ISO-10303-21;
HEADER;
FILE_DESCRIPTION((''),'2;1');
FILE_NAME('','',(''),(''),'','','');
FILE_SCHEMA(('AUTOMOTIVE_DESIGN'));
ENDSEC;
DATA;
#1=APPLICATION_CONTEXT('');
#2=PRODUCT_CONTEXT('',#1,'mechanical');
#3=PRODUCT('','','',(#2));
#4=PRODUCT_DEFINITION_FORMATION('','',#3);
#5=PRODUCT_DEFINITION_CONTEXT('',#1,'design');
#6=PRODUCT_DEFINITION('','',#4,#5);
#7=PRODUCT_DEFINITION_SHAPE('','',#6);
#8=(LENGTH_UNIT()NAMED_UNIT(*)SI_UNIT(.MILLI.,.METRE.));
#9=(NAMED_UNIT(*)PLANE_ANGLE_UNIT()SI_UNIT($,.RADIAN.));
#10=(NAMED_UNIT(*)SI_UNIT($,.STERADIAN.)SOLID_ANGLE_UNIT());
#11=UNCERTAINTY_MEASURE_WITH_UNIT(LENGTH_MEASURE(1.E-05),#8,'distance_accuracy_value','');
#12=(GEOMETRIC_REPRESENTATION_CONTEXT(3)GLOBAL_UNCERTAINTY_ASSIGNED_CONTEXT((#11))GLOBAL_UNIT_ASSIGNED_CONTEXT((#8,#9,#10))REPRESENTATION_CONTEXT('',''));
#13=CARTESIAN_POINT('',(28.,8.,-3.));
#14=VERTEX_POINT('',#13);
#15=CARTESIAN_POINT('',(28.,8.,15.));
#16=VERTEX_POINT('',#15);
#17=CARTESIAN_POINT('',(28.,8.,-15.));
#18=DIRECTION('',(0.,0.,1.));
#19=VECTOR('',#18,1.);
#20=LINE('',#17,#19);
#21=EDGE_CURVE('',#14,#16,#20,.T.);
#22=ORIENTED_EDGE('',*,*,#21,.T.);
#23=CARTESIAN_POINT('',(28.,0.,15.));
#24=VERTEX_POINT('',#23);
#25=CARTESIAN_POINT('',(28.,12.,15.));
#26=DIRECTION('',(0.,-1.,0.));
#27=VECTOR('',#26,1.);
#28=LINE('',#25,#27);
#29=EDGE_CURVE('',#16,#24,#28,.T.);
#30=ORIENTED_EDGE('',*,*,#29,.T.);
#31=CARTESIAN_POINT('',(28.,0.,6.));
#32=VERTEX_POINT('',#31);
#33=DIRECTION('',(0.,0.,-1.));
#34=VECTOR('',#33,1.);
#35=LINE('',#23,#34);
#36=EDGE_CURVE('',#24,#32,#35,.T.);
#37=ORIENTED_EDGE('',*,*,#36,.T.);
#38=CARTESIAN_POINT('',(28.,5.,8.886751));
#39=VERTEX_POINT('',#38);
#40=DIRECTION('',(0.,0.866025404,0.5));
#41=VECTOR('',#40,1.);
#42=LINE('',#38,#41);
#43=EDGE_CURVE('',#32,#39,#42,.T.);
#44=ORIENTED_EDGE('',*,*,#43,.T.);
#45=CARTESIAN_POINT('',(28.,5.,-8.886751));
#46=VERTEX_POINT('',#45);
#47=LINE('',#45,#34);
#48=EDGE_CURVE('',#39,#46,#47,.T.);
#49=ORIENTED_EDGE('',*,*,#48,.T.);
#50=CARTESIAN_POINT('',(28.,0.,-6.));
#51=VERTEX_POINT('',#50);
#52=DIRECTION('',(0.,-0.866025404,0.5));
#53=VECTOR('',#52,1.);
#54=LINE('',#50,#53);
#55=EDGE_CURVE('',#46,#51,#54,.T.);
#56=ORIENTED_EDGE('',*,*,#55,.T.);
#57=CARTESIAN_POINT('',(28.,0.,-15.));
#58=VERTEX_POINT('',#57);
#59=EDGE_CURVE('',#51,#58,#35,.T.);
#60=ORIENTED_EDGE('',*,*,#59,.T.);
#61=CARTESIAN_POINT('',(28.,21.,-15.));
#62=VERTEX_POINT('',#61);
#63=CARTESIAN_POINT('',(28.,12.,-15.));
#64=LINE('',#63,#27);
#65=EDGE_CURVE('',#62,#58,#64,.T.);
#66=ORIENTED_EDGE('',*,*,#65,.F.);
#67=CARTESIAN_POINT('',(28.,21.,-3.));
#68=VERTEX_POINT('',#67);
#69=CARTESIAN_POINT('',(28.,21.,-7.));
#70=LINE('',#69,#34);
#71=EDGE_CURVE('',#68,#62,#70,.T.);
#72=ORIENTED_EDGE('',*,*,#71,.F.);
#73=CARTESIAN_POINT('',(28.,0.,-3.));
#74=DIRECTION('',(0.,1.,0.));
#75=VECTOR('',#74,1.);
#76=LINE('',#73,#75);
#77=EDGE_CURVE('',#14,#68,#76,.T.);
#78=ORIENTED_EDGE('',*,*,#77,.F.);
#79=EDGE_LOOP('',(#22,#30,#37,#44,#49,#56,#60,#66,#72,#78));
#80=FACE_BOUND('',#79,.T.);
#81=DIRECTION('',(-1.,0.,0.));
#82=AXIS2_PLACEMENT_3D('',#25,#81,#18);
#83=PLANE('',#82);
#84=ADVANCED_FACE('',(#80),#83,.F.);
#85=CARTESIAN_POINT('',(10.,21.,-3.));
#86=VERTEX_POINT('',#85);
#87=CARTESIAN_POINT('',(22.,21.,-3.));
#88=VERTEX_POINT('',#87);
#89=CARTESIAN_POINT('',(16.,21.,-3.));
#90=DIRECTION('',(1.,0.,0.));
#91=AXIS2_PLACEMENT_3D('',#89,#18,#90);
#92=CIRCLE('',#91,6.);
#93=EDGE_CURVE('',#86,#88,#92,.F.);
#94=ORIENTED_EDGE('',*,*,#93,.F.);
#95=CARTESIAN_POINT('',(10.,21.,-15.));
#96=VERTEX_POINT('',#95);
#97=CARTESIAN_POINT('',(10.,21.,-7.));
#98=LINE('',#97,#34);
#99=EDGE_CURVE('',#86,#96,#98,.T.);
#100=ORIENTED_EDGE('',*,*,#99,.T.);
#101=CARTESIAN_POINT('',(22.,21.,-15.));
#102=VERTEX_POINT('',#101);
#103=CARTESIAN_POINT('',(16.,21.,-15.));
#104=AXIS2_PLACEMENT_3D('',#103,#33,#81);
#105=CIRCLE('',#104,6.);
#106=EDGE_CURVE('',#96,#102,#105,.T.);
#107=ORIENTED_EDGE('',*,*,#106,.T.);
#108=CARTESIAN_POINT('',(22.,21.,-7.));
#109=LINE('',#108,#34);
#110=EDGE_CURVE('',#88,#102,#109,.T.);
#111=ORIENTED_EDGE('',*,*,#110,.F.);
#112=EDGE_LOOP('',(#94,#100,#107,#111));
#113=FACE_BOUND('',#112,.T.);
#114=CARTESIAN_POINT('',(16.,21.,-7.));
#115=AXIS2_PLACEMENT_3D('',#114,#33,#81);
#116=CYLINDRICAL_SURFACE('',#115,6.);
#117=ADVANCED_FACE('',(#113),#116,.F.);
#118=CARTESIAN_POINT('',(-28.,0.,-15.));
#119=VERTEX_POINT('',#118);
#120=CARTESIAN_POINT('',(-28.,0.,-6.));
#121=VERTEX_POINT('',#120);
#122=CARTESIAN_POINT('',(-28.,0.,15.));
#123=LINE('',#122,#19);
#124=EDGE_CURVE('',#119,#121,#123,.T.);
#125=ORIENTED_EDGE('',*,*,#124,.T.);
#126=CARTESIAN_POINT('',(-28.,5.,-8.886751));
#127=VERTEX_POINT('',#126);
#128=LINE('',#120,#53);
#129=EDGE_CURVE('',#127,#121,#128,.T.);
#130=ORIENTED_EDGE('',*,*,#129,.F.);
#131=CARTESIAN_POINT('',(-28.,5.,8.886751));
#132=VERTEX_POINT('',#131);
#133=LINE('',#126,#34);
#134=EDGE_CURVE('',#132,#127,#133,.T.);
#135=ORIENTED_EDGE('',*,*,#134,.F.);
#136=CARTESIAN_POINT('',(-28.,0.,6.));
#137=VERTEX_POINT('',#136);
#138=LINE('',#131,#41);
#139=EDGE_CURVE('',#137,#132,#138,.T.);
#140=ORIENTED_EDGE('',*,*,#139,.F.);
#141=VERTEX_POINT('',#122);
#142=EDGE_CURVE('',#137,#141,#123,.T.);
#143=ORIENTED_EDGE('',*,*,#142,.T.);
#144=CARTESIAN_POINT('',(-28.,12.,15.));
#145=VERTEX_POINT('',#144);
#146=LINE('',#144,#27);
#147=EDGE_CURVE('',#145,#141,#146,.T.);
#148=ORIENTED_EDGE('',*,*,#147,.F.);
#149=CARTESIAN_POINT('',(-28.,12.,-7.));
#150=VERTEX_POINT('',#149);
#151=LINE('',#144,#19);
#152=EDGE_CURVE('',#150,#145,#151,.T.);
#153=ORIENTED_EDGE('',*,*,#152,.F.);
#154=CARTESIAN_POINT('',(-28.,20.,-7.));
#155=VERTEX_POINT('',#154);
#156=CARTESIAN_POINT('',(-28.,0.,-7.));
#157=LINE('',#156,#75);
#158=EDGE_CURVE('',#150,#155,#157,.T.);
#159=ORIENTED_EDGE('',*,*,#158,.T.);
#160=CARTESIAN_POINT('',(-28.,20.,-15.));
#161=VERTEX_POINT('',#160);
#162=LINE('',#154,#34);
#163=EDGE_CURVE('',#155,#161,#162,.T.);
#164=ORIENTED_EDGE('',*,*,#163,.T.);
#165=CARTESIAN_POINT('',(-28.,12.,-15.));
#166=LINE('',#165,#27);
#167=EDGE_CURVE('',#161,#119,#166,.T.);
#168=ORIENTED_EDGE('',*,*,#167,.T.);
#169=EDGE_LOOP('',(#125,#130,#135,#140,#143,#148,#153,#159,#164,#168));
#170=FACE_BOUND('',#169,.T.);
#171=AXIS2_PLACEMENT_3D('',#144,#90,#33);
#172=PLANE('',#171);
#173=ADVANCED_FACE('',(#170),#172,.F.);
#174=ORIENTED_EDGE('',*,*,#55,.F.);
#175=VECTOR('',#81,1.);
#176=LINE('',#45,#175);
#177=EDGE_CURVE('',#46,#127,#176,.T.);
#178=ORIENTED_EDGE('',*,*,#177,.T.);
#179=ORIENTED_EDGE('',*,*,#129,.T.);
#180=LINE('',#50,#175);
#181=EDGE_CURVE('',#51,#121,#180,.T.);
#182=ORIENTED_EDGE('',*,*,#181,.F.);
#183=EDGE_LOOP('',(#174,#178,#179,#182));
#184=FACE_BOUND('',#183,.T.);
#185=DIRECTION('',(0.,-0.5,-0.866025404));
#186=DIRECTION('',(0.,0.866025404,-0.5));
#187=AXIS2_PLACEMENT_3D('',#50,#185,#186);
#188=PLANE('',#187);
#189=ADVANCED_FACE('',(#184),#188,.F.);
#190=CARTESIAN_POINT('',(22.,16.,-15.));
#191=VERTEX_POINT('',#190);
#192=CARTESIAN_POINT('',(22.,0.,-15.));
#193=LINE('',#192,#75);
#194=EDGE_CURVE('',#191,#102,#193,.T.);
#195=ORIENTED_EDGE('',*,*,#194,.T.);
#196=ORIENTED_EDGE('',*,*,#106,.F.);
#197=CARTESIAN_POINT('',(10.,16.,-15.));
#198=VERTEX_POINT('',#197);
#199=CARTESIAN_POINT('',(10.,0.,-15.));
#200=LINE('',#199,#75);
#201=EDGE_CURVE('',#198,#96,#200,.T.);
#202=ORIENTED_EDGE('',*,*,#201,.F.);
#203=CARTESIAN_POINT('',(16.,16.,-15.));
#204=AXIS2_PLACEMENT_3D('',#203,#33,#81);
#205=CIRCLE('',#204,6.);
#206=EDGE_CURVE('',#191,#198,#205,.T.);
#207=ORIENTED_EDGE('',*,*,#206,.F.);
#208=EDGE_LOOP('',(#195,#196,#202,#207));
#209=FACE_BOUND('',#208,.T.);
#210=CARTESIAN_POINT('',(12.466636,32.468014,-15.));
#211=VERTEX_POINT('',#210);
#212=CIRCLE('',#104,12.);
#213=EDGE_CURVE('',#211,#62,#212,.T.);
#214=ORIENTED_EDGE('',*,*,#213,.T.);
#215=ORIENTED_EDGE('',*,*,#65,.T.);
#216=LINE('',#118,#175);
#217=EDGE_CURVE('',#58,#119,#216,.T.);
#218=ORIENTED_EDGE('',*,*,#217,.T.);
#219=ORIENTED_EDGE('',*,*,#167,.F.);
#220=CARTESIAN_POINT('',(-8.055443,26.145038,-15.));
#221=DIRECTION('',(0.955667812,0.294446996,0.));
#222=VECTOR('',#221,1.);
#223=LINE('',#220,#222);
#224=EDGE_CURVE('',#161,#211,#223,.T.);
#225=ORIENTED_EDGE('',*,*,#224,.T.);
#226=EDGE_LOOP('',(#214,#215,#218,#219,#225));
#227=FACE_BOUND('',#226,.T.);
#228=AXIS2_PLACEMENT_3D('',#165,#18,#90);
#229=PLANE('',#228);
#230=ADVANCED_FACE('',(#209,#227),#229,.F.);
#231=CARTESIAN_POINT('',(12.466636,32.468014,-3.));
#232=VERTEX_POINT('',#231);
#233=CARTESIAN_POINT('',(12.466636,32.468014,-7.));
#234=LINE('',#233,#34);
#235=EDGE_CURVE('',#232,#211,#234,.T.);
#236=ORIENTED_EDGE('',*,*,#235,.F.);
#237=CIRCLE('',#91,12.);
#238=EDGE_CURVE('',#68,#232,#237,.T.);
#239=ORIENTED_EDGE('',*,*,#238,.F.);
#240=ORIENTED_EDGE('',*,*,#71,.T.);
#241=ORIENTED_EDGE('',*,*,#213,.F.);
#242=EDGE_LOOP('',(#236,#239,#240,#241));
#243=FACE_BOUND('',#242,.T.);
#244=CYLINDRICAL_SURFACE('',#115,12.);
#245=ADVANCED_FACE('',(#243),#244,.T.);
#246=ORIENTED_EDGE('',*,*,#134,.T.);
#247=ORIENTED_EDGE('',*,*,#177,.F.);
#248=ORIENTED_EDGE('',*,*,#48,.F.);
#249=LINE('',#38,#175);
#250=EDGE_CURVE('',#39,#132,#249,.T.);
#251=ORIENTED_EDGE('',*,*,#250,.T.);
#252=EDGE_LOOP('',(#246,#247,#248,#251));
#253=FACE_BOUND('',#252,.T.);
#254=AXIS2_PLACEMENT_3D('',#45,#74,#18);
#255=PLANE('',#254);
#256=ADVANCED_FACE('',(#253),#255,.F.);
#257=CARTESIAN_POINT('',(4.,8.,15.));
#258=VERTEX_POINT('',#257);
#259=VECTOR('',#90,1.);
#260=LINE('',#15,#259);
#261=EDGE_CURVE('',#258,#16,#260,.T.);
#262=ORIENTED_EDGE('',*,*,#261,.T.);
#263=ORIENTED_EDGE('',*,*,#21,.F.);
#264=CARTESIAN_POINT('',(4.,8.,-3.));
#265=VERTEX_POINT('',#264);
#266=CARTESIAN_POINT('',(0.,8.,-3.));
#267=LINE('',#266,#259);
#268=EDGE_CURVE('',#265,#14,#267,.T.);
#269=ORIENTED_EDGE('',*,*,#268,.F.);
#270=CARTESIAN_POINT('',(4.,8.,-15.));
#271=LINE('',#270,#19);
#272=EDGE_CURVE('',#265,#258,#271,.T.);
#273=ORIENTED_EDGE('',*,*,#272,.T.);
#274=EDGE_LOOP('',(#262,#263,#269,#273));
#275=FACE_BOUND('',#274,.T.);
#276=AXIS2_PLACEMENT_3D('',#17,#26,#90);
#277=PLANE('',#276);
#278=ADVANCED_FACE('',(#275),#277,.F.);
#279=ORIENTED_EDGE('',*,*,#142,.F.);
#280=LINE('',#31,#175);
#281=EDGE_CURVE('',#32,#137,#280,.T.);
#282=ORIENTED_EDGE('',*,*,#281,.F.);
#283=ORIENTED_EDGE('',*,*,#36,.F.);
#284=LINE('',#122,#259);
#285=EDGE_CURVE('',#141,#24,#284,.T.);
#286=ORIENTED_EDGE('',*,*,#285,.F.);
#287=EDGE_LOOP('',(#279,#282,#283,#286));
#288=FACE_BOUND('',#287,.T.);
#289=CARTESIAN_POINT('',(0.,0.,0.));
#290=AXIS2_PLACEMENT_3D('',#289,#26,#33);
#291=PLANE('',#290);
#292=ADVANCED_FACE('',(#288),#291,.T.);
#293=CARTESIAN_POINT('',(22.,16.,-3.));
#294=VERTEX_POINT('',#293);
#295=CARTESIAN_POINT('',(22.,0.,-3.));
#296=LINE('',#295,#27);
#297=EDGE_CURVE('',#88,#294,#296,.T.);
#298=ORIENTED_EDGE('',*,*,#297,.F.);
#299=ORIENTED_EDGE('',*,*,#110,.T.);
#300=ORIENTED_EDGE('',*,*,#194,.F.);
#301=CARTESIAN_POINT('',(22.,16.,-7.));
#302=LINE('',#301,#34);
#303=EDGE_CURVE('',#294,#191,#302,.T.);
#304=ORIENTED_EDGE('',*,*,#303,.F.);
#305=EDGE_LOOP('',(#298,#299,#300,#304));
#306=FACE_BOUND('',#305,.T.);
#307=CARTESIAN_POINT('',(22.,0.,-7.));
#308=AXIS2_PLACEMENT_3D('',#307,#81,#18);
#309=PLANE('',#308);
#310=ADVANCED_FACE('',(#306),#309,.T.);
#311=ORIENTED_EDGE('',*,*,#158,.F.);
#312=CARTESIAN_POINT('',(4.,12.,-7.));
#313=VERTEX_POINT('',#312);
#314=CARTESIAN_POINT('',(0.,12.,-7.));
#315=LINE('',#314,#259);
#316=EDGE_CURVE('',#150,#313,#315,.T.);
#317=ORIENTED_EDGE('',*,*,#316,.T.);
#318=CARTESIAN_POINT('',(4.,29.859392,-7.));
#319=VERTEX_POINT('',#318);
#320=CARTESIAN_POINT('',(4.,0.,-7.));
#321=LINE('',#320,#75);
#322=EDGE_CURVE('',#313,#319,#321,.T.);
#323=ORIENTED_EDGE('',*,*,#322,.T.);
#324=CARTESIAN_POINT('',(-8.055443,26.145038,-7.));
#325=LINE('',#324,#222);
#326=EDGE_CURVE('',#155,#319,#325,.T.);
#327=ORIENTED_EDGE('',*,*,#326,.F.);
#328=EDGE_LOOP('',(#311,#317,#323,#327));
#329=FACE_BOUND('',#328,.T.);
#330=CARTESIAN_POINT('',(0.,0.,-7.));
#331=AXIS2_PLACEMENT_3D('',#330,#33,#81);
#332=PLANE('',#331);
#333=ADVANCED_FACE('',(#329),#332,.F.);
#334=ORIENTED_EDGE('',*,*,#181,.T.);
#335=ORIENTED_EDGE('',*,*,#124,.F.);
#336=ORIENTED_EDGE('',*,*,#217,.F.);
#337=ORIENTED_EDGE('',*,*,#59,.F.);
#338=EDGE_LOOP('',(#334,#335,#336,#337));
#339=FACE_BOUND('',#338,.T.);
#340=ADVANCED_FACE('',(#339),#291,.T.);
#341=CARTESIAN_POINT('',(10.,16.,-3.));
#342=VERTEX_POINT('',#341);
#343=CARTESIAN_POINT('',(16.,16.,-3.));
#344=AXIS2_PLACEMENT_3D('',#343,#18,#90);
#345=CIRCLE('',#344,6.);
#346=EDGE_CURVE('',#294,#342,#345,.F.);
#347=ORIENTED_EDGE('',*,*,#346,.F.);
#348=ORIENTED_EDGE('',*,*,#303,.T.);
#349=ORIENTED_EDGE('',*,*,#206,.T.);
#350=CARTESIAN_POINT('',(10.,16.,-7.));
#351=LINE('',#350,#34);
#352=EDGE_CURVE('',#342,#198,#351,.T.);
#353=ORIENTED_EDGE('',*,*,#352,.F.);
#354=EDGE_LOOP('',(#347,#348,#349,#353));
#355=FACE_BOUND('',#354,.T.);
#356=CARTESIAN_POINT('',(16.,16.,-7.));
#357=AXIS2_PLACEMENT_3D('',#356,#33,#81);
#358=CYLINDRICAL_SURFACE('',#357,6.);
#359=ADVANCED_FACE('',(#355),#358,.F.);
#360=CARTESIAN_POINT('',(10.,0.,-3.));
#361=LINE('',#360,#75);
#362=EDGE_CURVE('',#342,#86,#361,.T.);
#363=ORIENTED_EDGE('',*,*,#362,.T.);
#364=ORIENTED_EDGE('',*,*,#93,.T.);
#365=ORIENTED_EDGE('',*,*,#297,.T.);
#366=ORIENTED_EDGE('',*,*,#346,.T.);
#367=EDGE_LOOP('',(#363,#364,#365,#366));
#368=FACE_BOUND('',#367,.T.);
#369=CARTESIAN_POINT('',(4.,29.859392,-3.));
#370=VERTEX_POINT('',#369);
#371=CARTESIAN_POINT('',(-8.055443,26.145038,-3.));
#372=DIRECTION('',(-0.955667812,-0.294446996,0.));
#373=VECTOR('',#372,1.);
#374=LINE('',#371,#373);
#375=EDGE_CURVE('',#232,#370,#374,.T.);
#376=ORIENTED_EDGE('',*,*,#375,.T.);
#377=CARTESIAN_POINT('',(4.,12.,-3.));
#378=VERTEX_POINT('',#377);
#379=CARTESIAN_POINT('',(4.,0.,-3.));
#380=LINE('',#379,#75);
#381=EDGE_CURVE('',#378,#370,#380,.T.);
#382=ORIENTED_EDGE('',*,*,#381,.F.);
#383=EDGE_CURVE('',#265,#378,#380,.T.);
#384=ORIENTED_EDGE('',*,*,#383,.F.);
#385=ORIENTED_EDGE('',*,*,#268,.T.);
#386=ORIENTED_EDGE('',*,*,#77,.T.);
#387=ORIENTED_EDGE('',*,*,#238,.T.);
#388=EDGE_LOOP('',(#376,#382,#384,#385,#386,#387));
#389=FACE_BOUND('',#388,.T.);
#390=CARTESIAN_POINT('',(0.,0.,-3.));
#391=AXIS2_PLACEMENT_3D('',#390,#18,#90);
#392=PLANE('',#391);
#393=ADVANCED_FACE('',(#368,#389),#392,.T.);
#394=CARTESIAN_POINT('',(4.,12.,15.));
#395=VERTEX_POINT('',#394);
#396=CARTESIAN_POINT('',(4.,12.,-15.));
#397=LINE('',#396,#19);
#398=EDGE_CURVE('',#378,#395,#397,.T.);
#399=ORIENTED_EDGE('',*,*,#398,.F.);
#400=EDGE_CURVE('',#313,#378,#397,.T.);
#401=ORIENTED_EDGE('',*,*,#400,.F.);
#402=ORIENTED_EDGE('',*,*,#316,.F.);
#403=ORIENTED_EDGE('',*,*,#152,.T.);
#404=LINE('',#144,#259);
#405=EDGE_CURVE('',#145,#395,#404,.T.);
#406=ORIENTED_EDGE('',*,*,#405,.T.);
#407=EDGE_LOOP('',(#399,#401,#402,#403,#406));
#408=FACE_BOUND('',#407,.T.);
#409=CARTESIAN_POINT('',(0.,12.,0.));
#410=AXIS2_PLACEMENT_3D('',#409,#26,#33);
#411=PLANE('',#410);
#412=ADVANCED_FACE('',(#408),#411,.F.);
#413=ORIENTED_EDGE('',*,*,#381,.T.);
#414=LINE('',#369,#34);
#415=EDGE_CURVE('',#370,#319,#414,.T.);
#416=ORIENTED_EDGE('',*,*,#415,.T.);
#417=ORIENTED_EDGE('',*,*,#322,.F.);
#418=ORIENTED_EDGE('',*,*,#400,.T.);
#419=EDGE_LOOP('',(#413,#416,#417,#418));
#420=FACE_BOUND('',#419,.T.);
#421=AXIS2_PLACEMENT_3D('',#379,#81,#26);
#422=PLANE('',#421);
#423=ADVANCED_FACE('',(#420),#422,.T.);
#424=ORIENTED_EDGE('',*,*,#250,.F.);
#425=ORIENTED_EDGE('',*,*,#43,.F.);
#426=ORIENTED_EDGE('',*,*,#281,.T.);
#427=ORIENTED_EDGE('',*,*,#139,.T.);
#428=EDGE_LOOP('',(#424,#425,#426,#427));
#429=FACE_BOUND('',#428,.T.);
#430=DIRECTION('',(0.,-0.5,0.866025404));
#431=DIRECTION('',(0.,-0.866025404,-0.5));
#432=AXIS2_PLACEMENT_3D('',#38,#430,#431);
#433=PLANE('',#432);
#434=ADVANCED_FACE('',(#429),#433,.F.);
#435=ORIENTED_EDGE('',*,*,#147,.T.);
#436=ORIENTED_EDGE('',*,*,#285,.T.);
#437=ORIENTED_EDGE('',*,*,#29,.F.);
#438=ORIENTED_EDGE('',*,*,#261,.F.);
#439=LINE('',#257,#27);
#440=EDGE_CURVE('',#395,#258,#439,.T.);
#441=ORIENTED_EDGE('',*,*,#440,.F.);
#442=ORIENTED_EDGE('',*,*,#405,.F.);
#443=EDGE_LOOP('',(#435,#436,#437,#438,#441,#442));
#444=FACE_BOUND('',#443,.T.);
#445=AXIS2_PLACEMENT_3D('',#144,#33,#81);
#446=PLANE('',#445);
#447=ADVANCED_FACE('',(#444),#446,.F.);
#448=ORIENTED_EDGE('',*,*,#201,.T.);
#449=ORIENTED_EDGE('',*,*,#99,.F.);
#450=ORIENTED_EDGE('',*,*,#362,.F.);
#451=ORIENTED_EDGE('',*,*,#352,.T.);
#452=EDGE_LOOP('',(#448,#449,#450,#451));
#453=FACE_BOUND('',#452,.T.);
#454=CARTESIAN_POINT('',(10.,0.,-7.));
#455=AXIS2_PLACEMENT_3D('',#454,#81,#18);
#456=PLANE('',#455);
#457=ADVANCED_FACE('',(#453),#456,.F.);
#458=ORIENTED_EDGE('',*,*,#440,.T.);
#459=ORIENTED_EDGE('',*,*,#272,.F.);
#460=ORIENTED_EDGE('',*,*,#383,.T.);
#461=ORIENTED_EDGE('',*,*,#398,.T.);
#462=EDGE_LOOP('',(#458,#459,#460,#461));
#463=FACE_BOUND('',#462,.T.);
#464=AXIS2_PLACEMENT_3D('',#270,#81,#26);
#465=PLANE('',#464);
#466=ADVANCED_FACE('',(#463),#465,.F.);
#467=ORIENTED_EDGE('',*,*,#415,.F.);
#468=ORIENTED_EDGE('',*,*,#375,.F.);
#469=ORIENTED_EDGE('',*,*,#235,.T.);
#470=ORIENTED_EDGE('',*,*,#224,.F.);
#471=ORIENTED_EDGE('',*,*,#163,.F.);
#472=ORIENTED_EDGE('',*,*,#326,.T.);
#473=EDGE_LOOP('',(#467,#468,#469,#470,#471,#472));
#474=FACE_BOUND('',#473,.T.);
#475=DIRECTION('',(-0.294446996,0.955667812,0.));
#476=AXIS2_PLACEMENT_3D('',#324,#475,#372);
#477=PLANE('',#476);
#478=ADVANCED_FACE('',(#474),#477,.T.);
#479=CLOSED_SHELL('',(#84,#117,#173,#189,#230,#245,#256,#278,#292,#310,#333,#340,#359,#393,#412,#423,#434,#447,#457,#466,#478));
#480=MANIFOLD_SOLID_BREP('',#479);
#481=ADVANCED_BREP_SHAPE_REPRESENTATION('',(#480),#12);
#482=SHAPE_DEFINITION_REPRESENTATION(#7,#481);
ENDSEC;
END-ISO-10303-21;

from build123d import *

# Parameters (mm, degrees)
SKETCH_1_W          = 56
SKETCH_1_H          = 30
EXTRUDE_1_DEPTH     = 12
CUT_EXTRUDE_1_DEPTH = 60.203040462
SKETCH_3_W          = 24
SKETCH_3_H          = 4
CUT_EXTRUDE_2_DEPTH = 43.755116653
EXTRUDE_2_DEPTH     = 8
EXTRUDE_3_DEPTH     = 4


with BuildPart() as part:
    # 草图1 → 凸台-拉伸1 (new body)
    with BuildSketch(Plane(origin=(0, 0, 0), x_dir=(1, 0, 0), z_dir=(0, 1, 0))):
        Rectangle(SKETCH_1_W, SKETCH_1_H)
    extrude(amount=EXTRUDE_1_DEPTH)

    # 草图2 → 切除-拉伸1 (cut, through all)
    with BuildSketch(Plane.ZY.offset(28)):
        Polygon((-6, 0), (-8.886751346, 5), (8.886751346, 5), (6, 0), align=None)
    extrude(amount=-CUT_EXTRUDE_1_DEPTH, mode=Mode.SUBTRACT)

    # 草图3 → 切除-拉伸2 (cut, through all)
    with BuildSketch(Plane.XY.offset(15)):
        with Locations((16, 10)):
            Rectangle(SKETCH_3_W, SKETCH_3_H)
    extrude(amount=-CUT_EXTRUDE_2_DEPTH, mode=Mode.SUBTRACT)

    # 草图4 → 凸台-拉伸2 (add)
    # profile 1 of 2: a face of its own
    with BuildSketch(Plane(origin=(0, 0, -15), x_dir=(-1, 0, 0), z_dir=(0, 0, -1))):
        with BuildLine():
            ThreePointArc((-12.466636051, 32.468013743), (-6.345975777, 28.127398986), (-4, 21))
            Line((-4, 21), (-4, 12))
            Line((-4, 12), (28, 12))
            Line((28, 12), (28, 20))
            Line((28, 20), (-12.466636051, 32.468013743))
        make_face()
    # profile 2 of 2: a face of its own
    with BuildSketch(Plane(origin=(0, 0, -15), x_dir=(-1, 0, 0), z_dir=(0, 0, -1))):
        with BuildLine():
            Line((-4, 12), (-4, 21))
            ThreePointArc((-4, 21), (-6.345975777, 28.127398986), (-12.466636051, 32.468013743))
            ThreePointArc((-12.466636051, 32.468013743), (-23.127398986, 30.654024223), (-28, 21))
            Line((-28, 21), (-28, 8))
            Line((-28, 8), (-4, 8))
            Line((-4, 8), (-4, 12))
        make_face()
        with BuildLine():
            ThreePointArc((-10, 16), (-16, 10), (-22, 16))
            Line((-22, 16), (-22, 21))
            ThreePointArc((-22, 21), (-16, 27), (-10, 21))
            Line((-10, 21), (-10, 16))
        make_face(mode=Mode.SUBTRACT)
    extrude(amount=-EXTRUDE_2_DEPTH)

    # 草图5 → 凸台-拉伸3 (add)
    with BuildSketch(Plane.XY.offset(-7)):
        with BuildLine():
            Line((28, 8), (28, 21))
            ThreePointArc((28, 21), (23.127398986, 30.654024223), (12.466636051, 32.468013743))
            Line((12.466636051, 32.468013743), (4, 29.859392297))
            Line((4, 29.859392297), (4, 12))
            Line((4, 12), (4, 8))
            Line((4, 8), (28, 8))
        make_face()
        with BuildLine():
            Line((22, 21), (22, 16))
            ThreePointArc((22, 16), (16, 10), (10, 16))
            Line((10, 16), (10, 21))
            ThreePointArc((10, 21), (16, 27), (22, 21))
        make_face(mode=Mode.SUBTRACT)
    extrude(amount=EXTRUDE_3_DEPTH)


solid = part.part
